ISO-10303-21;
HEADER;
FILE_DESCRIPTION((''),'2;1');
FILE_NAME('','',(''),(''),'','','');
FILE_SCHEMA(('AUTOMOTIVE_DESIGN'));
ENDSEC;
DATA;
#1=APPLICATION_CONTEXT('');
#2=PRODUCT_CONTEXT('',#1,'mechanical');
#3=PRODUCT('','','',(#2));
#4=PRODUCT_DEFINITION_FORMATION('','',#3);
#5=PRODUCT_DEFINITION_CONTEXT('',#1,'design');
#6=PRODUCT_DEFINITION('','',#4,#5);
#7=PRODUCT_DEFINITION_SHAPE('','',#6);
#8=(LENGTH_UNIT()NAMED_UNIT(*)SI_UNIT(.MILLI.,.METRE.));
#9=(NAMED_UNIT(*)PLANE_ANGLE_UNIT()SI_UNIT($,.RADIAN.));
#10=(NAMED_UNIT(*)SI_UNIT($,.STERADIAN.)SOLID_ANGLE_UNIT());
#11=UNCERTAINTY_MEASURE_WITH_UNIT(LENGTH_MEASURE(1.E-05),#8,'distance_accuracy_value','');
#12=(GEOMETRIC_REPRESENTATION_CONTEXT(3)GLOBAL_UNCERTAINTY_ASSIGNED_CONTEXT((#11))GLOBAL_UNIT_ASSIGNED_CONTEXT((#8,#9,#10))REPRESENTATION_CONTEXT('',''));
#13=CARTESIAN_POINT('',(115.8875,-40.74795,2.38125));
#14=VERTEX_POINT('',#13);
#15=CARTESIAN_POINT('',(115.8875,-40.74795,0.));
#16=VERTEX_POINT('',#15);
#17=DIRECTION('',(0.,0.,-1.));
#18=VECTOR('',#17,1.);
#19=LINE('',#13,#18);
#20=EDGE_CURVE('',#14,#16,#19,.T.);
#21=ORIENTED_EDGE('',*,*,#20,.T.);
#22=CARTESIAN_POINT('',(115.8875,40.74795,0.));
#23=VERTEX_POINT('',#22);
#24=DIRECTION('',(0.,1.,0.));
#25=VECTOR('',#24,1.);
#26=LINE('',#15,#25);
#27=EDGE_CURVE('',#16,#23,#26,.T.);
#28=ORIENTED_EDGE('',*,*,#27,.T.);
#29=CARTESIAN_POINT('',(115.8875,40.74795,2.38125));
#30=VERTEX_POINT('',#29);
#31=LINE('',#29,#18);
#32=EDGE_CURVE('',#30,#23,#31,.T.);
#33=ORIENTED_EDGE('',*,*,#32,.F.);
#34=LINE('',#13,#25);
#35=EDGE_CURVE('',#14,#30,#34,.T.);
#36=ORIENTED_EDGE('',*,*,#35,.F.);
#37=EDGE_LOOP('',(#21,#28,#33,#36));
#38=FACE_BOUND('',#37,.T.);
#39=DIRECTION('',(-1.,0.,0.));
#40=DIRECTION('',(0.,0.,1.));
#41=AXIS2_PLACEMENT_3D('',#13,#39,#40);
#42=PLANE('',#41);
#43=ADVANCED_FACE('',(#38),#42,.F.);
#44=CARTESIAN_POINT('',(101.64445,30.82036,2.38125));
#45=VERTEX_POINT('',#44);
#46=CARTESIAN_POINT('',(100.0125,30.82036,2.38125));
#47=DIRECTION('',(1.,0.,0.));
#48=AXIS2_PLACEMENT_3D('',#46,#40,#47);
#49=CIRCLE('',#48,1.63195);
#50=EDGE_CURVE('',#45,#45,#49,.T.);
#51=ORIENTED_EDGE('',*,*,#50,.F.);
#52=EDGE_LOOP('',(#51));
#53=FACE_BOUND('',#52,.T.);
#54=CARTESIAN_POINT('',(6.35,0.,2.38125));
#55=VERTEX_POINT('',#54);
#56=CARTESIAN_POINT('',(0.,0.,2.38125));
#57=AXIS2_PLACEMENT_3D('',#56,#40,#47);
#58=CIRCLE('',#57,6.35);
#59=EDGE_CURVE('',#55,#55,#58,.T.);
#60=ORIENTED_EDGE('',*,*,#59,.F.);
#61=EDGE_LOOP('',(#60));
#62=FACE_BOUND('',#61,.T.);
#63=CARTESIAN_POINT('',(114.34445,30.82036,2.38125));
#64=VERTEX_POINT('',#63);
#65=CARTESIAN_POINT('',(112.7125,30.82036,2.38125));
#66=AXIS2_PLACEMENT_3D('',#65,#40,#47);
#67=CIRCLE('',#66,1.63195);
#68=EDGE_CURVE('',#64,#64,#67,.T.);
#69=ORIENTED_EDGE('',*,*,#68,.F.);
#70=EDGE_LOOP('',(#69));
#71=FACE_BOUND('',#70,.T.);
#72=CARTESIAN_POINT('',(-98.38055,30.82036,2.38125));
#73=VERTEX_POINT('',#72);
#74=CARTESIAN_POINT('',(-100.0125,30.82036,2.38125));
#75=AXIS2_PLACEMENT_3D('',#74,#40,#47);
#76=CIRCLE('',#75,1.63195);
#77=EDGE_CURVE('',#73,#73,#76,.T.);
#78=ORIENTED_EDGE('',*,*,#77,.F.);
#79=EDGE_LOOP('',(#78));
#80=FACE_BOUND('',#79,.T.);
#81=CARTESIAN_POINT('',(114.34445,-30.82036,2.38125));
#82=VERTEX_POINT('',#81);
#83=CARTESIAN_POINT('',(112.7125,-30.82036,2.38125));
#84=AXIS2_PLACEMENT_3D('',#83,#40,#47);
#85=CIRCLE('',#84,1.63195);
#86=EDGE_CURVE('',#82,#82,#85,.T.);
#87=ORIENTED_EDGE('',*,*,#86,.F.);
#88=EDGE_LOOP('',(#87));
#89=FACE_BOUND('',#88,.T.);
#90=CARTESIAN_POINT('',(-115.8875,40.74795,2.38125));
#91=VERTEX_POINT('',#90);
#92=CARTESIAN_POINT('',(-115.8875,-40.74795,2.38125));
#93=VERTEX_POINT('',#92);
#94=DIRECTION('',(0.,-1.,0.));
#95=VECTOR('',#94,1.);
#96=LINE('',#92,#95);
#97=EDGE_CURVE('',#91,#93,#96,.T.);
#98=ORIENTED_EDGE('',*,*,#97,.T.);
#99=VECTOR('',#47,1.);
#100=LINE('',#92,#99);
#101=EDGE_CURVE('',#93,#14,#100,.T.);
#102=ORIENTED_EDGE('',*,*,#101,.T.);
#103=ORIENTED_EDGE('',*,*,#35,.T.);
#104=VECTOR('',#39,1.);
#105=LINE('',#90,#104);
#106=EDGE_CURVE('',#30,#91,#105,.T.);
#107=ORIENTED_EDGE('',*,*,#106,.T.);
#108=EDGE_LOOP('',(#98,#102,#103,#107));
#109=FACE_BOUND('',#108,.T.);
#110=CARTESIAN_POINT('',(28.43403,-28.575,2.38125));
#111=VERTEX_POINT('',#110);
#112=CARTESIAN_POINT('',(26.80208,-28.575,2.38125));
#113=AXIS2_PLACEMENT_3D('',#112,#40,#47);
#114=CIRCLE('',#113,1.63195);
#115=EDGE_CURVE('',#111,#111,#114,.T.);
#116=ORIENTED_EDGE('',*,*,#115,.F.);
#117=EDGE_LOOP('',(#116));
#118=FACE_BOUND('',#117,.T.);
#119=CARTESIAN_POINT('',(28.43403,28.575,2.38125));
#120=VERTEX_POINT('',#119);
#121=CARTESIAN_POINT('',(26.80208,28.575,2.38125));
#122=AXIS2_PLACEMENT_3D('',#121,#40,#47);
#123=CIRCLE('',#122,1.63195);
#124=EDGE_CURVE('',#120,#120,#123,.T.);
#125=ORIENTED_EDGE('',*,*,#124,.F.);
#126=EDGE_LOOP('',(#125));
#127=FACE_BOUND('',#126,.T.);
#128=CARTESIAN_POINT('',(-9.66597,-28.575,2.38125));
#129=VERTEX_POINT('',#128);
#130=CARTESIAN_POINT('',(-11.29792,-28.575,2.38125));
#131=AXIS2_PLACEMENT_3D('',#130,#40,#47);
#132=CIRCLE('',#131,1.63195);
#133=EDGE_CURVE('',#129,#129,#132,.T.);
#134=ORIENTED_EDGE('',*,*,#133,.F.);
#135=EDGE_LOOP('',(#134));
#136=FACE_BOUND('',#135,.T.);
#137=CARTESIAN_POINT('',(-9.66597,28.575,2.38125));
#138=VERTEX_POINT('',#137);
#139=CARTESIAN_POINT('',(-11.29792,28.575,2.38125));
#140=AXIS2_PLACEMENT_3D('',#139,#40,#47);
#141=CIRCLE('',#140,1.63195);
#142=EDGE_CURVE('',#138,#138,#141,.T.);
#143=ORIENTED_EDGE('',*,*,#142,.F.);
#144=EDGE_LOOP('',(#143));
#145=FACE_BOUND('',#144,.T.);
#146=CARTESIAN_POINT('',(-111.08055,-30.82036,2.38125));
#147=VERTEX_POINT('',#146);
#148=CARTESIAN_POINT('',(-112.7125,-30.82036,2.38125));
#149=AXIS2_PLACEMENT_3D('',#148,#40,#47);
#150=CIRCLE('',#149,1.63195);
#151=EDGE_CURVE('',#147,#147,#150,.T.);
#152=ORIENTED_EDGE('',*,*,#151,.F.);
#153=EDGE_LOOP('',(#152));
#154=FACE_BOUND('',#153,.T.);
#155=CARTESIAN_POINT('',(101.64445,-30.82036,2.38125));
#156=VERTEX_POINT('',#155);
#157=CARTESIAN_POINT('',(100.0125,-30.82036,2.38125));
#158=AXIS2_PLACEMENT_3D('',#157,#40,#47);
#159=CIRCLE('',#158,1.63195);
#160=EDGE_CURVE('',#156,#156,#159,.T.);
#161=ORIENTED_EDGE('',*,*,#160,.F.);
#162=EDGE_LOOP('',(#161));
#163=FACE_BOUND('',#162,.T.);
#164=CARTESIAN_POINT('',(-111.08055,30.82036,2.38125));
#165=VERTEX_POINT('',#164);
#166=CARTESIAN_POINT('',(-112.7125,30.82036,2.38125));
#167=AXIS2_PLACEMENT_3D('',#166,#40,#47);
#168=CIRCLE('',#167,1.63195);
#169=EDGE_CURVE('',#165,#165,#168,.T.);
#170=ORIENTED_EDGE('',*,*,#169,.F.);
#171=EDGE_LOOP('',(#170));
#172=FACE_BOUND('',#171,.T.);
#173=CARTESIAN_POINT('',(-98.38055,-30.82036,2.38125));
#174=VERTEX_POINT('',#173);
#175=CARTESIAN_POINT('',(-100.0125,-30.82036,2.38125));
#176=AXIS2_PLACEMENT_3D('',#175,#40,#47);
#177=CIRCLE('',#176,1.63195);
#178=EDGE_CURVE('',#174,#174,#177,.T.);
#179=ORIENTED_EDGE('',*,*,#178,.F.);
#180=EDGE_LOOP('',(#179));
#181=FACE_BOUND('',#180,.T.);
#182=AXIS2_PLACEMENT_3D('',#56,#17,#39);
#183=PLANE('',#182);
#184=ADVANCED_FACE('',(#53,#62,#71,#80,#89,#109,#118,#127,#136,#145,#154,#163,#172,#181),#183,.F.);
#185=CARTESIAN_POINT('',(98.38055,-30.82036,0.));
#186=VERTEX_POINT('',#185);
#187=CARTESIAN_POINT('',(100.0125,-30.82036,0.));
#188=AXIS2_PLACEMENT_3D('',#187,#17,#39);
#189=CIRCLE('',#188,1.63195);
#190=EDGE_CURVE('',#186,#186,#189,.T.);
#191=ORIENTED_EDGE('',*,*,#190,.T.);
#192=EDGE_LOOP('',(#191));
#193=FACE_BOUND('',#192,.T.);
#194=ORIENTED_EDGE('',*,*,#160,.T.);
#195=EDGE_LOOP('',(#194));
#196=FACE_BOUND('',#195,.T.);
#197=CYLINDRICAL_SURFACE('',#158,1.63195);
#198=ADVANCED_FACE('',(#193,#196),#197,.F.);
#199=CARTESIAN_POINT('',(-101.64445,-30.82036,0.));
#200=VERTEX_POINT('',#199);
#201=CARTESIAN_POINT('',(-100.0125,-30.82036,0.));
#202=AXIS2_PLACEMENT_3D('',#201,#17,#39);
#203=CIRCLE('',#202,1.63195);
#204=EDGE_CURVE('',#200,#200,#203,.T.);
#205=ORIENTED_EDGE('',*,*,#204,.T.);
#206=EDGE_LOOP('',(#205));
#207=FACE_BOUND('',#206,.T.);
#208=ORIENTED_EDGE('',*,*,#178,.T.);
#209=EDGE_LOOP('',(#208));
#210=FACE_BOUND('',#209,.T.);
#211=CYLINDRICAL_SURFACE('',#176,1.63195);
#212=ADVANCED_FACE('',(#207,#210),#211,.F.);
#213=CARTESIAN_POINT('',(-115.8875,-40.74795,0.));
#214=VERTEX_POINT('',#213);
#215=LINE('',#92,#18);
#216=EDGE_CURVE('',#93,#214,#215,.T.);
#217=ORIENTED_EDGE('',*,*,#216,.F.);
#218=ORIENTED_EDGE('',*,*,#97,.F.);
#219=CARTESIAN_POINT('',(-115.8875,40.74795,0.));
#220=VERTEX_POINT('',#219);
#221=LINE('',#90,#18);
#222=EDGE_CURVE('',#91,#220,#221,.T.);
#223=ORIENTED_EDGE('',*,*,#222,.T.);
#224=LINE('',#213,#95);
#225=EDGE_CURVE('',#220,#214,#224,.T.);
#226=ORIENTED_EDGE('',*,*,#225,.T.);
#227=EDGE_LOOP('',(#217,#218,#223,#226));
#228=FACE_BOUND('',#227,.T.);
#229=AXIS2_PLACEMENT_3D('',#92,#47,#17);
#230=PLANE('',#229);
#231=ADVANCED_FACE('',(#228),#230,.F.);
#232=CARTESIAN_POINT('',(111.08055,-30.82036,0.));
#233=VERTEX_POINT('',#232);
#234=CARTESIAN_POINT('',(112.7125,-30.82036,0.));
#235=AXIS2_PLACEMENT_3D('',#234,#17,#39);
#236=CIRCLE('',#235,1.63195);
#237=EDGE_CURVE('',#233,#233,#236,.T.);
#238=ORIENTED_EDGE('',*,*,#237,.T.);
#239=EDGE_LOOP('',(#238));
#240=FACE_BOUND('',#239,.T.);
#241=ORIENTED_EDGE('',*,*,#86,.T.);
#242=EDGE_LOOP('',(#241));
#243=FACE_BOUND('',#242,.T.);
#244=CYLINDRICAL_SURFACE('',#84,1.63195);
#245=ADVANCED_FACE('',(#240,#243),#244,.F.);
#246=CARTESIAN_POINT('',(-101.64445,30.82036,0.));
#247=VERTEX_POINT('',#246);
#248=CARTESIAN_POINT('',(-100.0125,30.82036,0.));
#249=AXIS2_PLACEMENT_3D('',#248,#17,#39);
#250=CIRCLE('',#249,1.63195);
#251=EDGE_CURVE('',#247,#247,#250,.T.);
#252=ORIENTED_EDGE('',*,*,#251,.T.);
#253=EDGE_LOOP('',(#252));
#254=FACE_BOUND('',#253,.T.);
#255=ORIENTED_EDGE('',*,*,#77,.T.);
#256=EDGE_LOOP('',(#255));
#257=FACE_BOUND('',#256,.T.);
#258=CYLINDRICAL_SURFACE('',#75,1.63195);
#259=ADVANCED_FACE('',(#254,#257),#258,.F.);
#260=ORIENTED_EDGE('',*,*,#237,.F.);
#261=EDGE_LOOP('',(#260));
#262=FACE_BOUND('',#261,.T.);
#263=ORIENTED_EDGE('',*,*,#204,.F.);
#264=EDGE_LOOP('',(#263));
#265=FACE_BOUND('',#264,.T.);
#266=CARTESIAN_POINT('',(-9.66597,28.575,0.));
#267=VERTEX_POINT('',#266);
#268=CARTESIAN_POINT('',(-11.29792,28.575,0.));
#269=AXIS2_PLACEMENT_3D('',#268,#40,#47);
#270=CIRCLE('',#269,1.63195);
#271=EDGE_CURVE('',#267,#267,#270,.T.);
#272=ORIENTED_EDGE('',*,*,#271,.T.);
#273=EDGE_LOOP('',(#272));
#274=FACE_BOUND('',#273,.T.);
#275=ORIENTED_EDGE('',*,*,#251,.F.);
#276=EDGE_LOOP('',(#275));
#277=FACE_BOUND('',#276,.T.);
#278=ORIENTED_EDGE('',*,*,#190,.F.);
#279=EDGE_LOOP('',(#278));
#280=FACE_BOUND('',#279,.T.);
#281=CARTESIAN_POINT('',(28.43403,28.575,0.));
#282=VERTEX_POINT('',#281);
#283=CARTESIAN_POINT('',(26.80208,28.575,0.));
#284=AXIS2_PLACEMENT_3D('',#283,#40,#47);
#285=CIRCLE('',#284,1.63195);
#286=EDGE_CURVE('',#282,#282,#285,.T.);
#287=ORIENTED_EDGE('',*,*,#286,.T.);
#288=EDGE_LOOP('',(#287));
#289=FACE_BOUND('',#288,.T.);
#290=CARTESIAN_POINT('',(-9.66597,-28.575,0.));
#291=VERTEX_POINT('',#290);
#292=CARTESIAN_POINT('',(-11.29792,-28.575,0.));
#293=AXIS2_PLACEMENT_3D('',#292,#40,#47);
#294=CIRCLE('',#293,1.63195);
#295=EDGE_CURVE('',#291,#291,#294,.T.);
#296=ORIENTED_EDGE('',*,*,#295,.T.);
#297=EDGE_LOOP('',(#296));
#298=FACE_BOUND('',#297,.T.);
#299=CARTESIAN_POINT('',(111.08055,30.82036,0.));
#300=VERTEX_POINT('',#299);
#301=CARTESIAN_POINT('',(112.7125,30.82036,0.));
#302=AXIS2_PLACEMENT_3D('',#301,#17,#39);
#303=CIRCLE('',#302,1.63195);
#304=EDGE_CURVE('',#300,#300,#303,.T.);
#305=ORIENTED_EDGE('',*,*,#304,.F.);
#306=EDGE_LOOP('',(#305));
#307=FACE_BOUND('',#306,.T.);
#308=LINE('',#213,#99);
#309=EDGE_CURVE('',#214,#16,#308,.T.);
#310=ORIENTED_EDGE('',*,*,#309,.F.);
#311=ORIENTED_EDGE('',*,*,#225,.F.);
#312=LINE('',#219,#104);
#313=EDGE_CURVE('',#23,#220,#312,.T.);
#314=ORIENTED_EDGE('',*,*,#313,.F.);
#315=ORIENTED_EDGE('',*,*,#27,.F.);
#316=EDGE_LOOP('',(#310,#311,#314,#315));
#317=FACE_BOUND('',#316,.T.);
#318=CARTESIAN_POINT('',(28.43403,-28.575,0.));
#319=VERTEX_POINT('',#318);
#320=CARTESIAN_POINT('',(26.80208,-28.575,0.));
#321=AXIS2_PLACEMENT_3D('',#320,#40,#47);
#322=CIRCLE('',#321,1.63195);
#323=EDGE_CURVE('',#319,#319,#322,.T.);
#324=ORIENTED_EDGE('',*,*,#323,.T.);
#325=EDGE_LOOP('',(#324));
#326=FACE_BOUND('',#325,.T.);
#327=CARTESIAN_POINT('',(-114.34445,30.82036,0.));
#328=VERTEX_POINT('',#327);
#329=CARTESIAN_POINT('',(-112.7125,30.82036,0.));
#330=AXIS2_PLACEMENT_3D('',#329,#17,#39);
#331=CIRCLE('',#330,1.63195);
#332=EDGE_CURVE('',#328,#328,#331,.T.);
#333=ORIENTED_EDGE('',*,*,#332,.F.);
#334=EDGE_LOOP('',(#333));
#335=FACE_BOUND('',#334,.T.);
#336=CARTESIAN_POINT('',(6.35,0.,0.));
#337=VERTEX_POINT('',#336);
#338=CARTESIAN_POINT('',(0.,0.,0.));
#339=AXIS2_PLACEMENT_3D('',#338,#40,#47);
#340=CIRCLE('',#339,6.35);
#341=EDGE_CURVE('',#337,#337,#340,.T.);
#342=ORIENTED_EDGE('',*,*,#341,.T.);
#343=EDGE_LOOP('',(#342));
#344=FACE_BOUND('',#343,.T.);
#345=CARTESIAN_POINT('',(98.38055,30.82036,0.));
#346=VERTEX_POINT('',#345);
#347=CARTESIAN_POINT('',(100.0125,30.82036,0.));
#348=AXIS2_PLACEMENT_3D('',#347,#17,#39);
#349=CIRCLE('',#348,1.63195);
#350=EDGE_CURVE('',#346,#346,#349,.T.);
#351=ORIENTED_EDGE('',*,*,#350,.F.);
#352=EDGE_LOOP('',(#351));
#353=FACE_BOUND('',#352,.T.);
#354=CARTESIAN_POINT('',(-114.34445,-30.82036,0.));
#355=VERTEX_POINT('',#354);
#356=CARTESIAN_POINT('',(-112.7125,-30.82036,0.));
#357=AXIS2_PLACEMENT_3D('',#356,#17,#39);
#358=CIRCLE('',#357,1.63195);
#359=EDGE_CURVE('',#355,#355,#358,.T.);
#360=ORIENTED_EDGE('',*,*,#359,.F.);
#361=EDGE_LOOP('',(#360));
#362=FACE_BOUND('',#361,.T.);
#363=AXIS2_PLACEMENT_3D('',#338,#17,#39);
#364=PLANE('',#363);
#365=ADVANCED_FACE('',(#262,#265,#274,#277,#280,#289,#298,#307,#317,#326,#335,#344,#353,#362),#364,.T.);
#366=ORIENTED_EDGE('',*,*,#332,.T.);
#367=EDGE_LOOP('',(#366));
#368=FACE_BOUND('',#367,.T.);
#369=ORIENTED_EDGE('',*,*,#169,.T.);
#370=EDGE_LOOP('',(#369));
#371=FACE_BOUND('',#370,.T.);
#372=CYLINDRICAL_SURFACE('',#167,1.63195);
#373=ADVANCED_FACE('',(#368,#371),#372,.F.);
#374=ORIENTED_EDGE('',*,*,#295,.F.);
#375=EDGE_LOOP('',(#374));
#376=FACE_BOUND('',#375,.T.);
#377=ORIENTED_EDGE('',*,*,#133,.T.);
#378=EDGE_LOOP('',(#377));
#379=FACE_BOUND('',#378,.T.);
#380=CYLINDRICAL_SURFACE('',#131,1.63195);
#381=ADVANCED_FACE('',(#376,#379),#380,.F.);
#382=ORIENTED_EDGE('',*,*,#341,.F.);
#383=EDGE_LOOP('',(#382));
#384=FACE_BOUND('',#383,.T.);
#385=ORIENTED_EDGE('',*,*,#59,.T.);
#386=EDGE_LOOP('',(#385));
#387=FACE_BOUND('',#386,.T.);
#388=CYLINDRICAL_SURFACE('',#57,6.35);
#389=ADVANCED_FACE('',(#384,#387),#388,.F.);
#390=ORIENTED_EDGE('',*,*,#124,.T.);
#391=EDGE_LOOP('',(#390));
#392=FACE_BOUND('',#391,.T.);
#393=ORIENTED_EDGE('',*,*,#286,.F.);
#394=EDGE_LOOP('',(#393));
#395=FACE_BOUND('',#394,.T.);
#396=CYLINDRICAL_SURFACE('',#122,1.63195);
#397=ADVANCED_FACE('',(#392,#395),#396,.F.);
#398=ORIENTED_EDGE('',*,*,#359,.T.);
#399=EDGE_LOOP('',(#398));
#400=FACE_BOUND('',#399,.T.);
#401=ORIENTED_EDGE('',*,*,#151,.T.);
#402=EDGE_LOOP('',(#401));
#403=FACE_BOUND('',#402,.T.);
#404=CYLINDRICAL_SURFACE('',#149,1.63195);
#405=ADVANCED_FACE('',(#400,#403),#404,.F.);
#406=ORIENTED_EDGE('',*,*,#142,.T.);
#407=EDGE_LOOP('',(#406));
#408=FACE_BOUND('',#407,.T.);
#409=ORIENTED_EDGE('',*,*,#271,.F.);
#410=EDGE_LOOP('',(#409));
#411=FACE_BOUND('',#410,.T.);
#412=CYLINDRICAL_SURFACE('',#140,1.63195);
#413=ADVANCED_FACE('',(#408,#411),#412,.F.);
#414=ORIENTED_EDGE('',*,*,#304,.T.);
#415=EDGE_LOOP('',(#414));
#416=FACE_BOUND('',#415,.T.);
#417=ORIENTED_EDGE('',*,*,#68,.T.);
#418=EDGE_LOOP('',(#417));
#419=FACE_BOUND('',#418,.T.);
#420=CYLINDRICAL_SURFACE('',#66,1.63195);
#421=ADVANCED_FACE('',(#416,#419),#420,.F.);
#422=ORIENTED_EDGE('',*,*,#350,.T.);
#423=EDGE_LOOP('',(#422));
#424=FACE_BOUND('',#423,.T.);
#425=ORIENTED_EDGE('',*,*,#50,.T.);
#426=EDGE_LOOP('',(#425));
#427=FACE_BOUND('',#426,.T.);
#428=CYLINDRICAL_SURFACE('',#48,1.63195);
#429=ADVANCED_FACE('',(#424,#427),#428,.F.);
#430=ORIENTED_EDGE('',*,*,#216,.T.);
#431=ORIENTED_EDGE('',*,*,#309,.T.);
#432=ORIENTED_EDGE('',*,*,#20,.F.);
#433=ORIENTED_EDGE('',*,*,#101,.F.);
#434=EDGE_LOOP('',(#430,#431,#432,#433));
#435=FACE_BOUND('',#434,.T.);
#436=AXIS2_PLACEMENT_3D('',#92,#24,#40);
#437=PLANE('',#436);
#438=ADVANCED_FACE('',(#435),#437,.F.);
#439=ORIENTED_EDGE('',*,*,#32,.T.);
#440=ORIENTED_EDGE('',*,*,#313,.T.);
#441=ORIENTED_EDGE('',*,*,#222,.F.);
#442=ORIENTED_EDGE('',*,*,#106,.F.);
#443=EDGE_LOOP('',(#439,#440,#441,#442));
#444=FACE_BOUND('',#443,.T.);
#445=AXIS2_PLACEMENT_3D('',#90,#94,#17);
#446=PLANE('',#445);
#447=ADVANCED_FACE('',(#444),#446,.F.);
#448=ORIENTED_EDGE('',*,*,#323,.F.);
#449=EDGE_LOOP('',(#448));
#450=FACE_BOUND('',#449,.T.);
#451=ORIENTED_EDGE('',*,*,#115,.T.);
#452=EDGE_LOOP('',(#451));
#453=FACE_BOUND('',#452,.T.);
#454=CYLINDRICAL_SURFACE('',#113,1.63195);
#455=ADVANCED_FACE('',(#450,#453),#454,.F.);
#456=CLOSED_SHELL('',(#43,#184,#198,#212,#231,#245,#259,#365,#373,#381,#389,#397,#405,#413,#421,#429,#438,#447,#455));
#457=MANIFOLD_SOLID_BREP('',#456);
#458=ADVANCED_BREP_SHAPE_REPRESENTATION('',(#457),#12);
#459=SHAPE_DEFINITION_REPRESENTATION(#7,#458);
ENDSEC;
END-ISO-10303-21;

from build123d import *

# Parameters (mm, degrees)
SKETCH1_W                      = 231.775
SKETCH1_H                      = 81.4959
BOSS_EXTRUDE1_DEPTH            = 2.38125
F_4_CLEARANCE_HOLE1_D          = 3.2639
F_4_CLEARANCE_HOLE2_AT_2_COUNT = 2
F_4_CLEARANCE_HOLE2_AT_2_PITCH = 12.7
F_1_2_0_5_DIAMETER_HOLE1_D     = 12.7


with BuildPart() as part:
    # Sketch1 → Boss-Extrude1 (new body)
    with BuildSketch(Plane.XY):
        Rectangle(SKETCH1_W, SKETCH1_H)
    extrude(amount=BOSS_EXTRUDE1_DEPTH)

    # #4 Clearance Hole1 (through all)
    with Locations(Plane.XY.offset(2.38125)):
        with Locations((-11.29792, 28.575), (26.80208, 28.575)):
            f_4_clearance_hole1 = Hole(F_4_CLEARANCE_HOLE1_D / 2)

    # Mirror1: #4 Clearance Hole1 across plane
    add(f_4_clearance_hole1.mirror(Plane.ZX), mode=Mode.SUBTRACT)

    # Sketch6 → #4 Clearance Hole2 (revolve, cut)
    with BuildSketch(Plane(origin=(-112.7125, 30.82036, 2.38125), x_dir=(0, -1, 0), z_dir=(1, 0, 0))):
        Polygon((0, 0), (0, 10.505574487), (1.63195, 9.525), (1.63195, 0), align=None)
    f_4_clearance_hole2 = revolve(axis=Axis((-112.7125, 30.82036, 8.73125), (0, 0, -1)), mode=Mode.SUBTRACT)

    # #4 Clearance Hole2 at 2: #4 Clearance Hole2 ×2
    with Locations(*[(i * F_4_CLEARANCE_HOLE2_AT_2_PITCH, 0, 0) for i in range(1, F_4_CLEARANCE_HOLE2_AT_2_COUNT)]):
        add(f_4_clearance_hole2, mode=Mode.SUBTRACT)

    # Mirror2: #4 Clearance Hole2 across plane
    add(f_4_clearance_hole2.mirror(Plane(origin=(0, 0, 0), x_dir=(0, 0, 1), z_dir=(1, 0, 0))), mode=Mode.SUBTRACT)

    # Mirror2 copy 1 sketch → Mirror2 copy 1 (revolve, cut)
    with BuildSketch(Plane(origin=(100.0125, 30.82036, 2.38125), x_dir=(0, -1, 0), z_dir=(-1, 0, 0))):
        Polygon((0, 0), (0, -10.505574487), (1.63195, -9.525), (1.63195, 0), align=None)
    revolve(axis=Axis((100.0125, 30.82036, 8.73125), (0, 0, 1)), mode=Mode.SUBTRACT)

    # Mirror3: #4 Clearance Hole2 across plane
    add(f_4_clearance_hole2.mirror(Plane.ZX), mode=Mode.SUBTRACT)

    # Mirror3 copy 1 sketch → Mirror3 copy 1 (revolve, cut)
    with BuildSketch(Plane(origin=(-100.0125, -30.82036, 2.38125), x_dir=(0, 1, 0), z_dir=(1, 0, 0))):
        Polygon((0, 0), (0, -10.505574487), (1.63195, -9.525), (1.63195, 0), align=None)
    revolve(axis=Axis((-100.0125, -30.82036, 8.73125), (0, 0, 1)), mode=Mode.SUBTRACT)

    # Mirror3 copy 2 sketch → Mirror3 copy 2 (revolve, cut)
    with BuildSketch(Plane(origin=(112.7125, -30.82036, 2.38125), x_dir=(0, 1, 0), z_dir=(-1, 0, 0))):
        Polygon((0, 0), (0, 10.505574487), (1.63195, 9.525), (1.63195, 0), align=None)
    revolve(axis=Axis((112.7125, -30.82036, 8.73125), (0, 0, -1)), mode=Mode.SUBTRACT)

    # Mirror3 copy 3 sketch → Mirror3 copy 3 (revolve, cut)
    with BuildSketch(Plane(origin=(100.0125, -30.82036, 2.38125), x_dir=(0, 1, 0), z_dir=(-1, 0, 0))):
        Polygon((0, 0), (0, 10.505574487), (1.63195, 9.525), (1.63195, 0), align=None)
    revolve(axis=Axis((100.0125, -30.82036, 8.73125), (0, 0, -1)), mode=Mode.SUBTRACT)

    # 1/2 (0.5) Diameter Hole1 (through all)
    with Locations(Plane.XY.offset(2.38125)):
        with Locations((0, 0)):
            Hole(F_1_2_0_5_DIAMETER_HOLE1_D / 2)


solid = part.part
